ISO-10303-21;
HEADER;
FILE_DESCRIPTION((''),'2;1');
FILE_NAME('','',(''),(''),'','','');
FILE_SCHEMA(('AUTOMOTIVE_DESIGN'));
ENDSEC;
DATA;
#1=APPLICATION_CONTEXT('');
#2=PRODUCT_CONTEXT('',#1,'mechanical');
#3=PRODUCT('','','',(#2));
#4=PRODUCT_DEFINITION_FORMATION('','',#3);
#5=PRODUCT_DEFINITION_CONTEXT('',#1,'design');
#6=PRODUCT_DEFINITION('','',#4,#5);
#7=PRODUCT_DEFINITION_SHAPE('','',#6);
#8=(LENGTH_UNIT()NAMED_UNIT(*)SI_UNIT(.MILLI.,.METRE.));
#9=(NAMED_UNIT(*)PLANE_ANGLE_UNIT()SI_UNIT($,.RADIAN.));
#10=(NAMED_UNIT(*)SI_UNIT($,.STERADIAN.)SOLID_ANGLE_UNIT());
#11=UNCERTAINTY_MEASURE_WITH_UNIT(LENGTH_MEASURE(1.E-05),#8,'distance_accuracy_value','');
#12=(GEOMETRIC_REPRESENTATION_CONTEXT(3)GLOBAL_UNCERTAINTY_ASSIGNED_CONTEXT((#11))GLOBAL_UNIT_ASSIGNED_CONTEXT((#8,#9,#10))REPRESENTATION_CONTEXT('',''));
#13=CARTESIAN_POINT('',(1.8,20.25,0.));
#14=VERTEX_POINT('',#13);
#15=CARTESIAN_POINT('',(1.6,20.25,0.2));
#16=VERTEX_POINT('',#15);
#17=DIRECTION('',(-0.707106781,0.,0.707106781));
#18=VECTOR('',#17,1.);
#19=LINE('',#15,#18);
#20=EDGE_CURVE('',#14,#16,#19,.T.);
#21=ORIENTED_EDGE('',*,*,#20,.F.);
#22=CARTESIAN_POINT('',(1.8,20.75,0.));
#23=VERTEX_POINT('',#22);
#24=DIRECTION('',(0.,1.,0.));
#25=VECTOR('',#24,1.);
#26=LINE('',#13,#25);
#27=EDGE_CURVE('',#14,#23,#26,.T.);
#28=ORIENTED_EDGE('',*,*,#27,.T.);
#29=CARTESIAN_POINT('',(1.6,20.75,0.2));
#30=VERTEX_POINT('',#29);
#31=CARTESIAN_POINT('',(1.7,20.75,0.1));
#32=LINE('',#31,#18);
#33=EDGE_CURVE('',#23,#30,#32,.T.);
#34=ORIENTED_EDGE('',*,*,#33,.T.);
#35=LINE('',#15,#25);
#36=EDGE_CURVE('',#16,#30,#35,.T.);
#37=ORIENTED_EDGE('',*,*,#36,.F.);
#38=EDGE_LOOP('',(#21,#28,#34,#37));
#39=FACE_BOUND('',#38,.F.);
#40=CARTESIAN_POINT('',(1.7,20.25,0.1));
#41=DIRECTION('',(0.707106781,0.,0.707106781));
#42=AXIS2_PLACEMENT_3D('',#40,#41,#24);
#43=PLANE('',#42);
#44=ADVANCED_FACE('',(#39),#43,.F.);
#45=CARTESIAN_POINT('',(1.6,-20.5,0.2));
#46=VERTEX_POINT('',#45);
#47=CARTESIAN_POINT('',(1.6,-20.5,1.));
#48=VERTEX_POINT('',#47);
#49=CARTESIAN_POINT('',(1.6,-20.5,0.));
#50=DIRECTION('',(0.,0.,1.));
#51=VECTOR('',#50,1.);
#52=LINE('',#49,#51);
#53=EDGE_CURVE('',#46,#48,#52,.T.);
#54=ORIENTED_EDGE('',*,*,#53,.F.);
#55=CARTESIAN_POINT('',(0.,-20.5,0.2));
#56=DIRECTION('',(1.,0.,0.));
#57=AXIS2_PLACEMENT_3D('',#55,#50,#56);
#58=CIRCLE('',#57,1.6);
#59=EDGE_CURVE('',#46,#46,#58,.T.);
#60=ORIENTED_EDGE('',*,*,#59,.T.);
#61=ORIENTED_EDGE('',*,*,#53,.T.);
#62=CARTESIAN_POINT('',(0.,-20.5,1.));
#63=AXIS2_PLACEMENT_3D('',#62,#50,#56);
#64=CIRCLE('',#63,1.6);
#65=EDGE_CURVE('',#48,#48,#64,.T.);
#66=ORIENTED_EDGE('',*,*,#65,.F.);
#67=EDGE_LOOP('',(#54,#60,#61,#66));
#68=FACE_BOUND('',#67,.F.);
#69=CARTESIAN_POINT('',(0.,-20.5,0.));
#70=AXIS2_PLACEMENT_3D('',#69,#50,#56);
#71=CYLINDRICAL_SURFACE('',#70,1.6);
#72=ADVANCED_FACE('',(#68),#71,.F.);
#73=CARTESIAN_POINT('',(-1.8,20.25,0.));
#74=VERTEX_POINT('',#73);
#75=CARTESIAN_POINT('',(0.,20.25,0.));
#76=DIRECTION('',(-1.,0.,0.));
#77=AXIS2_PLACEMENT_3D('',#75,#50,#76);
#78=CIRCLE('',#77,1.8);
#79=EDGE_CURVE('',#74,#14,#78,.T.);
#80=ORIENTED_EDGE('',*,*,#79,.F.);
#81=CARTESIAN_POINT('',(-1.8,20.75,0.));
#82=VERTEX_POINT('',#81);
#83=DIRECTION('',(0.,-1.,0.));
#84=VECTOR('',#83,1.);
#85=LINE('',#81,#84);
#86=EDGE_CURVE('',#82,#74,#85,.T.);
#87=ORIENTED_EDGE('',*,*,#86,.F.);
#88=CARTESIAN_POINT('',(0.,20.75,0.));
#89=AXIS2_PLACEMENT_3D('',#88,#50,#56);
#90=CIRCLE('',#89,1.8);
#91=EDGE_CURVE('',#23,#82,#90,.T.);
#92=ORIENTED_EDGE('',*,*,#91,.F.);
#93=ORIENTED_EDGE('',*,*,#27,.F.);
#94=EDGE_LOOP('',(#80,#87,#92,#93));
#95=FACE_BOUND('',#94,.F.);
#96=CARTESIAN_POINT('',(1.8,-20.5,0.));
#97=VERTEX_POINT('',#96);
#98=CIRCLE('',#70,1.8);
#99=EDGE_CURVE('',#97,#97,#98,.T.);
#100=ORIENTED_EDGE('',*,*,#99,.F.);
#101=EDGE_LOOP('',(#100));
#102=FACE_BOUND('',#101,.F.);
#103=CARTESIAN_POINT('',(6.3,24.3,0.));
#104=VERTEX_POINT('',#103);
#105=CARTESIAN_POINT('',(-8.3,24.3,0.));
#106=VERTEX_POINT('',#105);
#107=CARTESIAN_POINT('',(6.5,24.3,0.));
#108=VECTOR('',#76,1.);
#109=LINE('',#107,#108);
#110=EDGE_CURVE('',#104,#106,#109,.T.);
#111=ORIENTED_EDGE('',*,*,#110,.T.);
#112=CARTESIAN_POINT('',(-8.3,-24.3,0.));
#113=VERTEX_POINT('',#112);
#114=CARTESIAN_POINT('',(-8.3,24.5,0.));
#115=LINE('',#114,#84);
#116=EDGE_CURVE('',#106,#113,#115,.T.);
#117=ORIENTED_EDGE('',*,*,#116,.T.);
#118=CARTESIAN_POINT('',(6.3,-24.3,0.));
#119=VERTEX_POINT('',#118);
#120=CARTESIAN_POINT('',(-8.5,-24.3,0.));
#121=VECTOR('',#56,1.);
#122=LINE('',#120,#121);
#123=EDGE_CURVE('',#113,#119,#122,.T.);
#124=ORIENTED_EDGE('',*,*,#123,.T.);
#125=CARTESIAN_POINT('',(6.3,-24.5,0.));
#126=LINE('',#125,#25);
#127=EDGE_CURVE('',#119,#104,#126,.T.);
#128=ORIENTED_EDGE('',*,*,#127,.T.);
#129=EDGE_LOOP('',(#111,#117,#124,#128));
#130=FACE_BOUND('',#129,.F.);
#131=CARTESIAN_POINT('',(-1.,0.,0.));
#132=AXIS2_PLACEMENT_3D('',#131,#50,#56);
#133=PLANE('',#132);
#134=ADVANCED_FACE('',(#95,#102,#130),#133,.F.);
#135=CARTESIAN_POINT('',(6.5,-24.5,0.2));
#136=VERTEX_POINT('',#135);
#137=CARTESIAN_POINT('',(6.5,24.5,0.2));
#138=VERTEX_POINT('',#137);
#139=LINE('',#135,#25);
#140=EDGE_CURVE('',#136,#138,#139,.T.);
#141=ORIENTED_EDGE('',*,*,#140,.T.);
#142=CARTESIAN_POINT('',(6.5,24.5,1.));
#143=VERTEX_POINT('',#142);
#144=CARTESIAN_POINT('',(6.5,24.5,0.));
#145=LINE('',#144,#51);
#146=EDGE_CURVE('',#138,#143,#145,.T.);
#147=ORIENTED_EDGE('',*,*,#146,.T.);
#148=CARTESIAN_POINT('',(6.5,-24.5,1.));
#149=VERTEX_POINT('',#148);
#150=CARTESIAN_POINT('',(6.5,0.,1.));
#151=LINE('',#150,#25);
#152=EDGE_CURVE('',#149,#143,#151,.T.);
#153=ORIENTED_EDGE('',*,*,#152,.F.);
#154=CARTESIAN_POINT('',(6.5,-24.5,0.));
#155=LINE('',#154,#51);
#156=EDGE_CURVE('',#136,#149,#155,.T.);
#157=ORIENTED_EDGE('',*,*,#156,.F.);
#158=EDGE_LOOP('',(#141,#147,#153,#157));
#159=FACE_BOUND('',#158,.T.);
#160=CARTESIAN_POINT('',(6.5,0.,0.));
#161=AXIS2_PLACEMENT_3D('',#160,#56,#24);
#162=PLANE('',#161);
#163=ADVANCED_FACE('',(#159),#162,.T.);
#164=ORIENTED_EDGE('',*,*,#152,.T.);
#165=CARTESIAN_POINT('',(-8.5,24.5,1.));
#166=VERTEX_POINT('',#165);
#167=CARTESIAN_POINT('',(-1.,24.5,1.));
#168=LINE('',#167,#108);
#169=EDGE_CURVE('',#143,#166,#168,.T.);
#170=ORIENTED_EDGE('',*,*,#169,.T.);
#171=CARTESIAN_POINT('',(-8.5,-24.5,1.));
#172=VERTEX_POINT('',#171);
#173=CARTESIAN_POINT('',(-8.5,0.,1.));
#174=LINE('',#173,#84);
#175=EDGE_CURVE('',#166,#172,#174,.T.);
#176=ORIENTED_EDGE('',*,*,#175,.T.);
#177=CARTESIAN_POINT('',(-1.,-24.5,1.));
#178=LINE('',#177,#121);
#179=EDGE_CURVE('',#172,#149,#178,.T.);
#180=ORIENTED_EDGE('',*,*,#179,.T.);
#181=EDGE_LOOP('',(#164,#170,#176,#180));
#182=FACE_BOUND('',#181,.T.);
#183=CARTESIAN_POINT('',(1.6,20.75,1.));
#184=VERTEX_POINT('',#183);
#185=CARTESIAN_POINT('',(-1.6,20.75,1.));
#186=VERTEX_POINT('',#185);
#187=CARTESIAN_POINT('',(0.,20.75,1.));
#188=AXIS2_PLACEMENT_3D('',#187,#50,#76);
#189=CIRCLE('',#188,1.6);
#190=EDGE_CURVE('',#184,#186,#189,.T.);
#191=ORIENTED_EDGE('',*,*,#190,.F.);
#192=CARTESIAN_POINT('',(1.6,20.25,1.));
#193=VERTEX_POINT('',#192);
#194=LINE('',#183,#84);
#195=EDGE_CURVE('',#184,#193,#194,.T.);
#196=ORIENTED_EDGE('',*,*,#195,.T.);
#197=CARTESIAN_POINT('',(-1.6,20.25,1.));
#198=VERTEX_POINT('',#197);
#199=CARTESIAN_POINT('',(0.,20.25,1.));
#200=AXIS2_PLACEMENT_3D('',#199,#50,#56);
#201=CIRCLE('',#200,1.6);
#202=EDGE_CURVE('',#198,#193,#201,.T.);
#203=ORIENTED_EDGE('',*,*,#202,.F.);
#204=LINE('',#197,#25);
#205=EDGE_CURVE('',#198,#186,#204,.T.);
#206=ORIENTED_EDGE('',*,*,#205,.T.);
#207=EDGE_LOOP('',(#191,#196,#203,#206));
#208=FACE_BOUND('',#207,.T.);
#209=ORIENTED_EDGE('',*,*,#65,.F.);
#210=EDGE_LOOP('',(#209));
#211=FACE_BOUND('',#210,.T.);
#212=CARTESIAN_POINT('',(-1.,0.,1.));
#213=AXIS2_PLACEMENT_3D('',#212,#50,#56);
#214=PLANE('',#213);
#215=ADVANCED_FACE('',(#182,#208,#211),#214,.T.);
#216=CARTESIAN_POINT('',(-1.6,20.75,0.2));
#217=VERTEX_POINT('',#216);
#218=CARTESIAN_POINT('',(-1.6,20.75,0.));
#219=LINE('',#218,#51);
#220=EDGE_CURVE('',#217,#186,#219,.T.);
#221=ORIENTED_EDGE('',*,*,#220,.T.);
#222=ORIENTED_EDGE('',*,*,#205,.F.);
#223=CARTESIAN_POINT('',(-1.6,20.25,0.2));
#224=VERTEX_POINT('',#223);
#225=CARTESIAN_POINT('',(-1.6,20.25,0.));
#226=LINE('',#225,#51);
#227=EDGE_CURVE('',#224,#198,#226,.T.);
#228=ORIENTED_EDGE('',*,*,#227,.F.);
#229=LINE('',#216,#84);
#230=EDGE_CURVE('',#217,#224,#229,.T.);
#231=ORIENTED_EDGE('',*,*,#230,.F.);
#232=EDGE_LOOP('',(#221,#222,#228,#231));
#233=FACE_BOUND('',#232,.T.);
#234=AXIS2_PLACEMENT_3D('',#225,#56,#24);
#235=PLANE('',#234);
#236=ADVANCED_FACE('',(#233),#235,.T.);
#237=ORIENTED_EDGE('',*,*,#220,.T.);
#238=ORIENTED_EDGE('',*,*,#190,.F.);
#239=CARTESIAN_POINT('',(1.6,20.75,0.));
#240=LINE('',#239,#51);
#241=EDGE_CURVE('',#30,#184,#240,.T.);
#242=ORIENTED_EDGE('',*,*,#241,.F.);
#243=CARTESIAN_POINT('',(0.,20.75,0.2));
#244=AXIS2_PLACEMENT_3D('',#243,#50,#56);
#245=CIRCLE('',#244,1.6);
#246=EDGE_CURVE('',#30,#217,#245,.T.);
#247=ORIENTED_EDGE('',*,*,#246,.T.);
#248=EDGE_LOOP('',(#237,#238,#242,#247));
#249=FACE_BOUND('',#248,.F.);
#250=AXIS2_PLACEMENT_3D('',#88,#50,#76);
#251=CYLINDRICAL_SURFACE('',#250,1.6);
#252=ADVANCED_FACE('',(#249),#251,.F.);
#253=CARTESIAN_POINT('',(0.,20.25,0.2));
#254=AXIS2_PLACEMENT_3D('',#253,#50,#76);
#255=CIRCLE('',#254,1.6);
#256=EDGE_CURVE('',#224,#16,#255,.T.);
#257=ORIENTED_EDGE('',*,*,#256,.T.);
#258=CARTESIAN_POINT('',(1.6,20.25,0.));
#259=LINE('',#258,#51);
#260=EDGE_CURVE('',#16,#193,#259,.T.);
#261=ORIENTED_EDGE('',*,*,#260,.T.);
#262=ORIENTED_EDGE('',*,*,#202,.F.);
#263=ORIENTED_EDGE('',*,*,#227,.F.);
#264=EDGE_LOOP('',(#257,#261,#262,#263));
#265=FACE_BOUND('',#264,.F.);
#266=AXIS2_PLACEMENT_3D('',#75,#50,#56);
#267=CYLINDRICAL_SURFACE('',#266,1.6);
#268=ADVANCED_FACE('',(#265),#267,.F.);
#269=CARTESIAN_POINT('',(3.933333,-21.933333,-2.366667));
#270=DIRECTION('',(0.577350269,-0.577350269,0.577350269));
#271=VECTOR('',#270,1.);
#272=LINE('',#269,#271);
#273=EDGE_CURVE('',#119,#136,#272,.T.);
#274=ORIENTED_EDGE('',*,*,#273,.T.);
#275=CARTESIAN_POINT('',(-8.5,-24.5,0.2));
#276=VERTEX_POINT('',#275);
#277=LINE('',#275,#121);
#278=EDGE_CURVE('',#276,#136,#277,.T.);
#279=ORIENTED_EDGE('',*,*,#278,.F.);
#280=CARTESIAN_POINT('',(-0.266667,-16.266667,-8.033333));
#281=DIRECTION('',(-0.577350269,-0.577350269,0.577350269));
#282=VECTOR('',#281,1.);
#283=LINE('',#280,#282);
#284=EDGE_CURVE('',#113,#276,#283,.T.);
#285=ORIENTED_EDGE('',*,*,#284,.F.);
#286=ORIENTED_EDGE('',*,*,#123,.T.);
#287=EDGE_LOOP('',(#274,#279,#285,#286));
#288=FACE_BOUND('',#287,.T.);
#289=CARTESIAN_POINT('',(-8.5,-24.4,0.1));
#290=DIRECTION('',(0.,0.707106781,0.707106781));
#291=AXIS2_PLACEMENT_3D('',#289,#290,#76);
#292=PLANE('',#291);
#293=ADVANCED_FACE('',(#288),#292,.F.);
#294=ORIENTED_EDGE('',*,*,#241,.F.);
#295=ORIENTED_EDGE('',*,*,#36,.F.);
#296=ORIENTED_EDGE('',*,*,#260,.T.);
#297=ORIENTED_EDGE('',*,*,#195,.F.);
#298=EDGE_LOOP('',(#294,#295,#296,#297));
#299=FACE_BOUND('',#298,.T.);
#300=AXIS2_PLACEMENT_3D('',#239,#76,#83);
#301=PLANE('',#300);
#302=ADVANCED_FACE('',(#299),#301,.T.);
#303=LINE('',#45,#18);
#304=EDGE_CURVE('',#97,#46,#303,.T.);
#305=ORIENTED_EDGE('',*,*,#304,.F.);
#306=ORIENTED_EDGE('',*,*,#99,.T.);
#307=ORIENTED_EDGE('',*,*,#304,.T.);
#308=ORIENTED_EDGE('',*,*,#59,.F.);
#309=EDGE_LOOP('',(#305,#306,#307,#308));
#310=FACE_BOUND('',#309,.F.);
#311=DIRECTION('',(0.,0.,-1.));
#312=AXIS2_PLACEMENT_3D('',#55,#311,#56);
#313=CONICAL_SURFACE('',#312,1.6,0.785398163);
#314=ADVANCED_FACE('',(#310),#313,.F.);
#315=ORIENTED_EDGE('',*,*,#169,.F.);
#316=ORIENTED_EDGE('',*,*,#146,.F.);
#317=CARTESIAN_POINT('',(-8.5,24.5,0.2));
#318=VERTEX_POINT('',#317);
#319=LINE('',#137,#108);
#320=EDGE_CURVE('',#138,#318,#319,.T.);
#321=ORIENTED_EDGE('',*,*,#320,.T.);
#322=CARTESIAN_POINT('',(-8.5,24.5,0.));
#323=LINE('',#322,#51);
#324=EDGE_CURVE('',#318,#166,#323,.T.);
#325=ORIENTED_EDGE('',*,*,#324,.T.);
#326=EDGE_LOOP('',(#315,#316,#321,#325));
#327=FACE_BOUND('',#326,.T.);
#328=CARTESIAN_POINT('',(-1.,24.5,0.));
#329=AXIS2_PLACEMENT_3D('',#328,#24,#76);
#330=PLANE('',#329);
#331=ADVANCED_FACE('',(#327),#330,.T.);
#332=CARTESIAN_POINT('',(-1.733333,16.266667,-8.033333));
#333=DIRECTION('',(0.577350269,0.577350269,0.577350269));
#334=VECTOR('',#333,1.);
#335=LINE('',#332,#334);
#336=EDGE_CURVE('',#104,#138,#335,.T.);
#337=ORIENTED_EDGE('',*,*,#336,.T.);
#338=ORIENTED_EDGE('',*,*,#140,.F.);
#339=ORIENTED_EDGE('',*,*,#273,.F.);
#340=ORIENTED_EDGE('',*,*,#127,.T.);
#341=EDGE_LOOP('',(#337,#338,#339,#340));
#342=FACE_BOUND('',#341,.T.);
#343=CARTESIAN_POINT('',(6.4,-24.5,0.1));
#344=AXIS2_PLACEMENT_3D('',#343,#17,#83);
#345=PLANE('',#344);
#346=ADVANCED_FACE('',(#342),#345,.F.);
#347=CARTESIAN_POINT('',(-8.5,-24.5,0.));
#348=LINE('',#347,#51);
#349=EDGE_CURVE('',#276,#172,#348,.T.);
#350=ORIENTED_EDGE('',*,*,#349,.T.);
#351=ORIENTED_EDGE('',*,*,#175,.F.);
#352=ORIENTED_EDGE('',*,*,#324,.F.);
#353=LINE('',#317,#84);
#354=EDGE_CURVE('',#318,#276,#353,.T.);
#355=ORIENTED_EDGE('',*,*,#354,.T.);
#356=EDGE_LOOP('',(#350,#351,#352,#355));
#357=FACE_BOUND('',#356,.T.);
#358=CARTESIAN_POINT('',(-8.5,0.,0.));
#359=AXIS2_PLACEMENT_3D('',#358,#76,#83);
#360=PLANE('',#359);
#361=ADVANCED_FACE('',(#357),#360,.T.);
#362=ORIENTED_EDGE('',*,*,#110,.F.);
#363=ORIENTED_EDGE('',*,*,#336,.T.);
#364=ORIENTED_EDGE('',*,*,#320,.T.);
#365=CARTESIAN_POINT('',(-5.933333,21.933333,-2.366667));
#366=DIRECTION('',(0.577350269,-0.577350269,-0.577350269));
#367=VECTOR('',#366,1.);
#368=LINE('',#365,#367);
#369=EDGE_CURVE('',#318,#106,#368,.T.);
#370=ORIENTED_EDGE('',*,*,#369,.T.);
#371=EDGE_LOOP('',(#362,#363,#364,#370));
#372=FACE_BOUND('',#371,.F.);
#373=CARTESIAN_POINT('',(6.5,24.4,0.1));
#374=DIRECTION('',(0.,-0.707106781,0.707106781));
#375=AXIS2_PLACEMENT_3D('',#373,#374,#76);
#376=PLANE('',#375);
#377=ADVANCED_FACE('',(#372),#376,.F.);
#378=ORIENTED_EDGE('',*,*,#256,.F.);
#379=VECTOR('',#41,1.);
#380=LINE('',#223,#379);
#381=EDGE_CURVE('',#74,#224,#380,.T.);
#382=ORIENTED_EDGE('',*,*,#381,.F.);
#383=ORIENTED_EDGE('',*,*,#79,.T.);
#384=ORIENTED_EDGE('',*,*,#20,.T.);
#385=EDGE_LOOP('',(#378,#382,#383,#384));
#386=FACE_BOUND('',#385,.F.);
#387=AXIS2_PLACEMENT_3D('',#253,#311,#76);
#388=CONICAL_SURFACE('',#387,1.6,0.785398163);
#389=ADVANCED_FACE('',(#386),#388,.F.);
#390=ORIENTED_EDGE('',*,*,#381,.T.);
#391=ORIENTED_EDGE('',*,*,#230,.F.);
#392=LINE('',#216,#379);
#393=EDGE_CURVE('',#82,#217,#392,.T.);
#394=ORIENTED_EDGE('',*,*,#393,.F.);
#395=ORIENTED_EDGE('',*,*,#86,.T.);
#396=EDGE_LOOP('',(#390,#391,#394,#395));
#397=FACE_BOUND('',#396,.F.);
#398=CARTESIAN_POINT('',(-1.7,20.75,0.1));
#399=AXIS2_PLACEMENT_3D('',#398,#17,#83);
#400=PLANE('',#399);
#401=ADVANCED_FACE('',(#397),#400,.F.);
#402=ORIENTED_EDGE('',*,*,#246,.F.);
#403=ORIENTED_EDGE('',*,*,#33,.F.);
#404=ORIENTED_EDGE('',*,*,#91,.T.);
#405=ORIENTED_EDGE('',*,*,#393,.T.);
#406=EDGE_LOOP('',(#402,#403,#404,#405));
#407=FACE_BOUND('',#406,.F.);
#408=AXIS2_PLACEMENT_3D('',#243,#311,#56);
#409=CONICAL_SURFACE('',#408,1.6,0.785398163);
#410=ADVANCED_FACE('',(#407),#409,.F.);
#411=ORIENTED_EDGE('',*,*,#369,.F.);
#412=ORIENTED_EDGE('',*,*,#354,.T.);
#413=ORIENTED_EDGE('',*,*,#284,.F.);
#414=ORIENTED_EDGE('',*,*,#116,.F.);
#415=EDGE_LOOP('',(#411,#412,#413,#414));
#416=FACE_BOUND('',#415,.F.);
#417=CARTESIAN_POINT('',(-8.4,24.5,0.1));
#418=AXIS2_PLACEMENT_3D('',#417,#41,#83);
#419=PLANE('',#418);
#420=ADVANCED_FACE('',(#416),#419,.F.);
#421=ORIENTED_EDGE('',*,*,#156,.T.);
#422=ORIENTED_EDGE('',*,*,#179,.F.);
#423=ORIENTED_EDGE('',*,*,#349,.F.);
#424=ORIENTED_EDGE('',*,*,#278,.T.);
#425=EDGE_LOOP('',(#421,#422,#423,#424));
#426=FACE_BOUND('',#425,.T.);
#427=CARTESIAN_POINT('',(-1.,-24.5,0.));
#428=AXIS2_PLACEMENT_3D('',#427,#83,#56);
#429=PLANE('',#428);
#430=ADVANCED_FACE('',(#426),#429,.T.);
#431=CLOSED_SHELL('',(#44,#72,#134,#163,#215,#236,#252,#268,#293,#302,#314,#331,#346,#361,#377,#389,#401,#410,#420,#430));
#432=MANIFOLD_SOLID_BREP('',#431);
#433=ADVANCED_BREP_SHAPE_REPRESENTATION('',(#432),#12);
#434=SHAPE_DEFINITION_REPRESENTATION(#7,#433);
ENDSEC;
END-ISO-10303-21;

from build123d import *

# Parameters (mm, degrees)
F0_W    = 15
F0_H    = 49
F0_R    = 1.6
F3_SIZE = 0.2


with BuildPart() as f2:
    # F2: sweep along a path in F1
    with BuildLine(Plane.XZ) as f2_path:
        Line((0, 0), (0, 1))
    # F0 (on Top) → F2 (sweep)
    with BuildSketch(Plane.XY):
        with Locations((-1, 0)):
            Rectangle(F0_W, F0_H)
        with Locations((0, -20.5)):
            Circle(F0_R, mode=Mode.SUBTRACT)
        with BuildLine():
            Line((-1.6, 20.25), (-1.6, 20.75))
            ThreePointArc((-1.6, 20.75), (0, 22.35), (1.6, 20.75))
            Line((1.6, 20.75), (1.6, 20.25))
            ThreePointArc((1.6, 20.25), (0, 18.65), (-1.6, 20.25))
        make_face(mode=Mode.SUBTRACT)
    sweep(path=f2_path.line)

    # F3
    f3_edges = [f2.edges().sort_by_distance(p)[0] for p in [
        (6.5, 0, 0),
        (-1, -24.5, 0),
        (-1, 24.5, 0),
        (-8.5, 0, 0),
        (-1.6, -20.5, 0),
        (0, 18.65, 0),
        (1.6, 20.5, 0),
        (0, 22.35, 0),
        (-1.6, 20.5, 0),
    ]]
    chamfer(f3_edges, length=F3_SIZE)


solid = f2.part
